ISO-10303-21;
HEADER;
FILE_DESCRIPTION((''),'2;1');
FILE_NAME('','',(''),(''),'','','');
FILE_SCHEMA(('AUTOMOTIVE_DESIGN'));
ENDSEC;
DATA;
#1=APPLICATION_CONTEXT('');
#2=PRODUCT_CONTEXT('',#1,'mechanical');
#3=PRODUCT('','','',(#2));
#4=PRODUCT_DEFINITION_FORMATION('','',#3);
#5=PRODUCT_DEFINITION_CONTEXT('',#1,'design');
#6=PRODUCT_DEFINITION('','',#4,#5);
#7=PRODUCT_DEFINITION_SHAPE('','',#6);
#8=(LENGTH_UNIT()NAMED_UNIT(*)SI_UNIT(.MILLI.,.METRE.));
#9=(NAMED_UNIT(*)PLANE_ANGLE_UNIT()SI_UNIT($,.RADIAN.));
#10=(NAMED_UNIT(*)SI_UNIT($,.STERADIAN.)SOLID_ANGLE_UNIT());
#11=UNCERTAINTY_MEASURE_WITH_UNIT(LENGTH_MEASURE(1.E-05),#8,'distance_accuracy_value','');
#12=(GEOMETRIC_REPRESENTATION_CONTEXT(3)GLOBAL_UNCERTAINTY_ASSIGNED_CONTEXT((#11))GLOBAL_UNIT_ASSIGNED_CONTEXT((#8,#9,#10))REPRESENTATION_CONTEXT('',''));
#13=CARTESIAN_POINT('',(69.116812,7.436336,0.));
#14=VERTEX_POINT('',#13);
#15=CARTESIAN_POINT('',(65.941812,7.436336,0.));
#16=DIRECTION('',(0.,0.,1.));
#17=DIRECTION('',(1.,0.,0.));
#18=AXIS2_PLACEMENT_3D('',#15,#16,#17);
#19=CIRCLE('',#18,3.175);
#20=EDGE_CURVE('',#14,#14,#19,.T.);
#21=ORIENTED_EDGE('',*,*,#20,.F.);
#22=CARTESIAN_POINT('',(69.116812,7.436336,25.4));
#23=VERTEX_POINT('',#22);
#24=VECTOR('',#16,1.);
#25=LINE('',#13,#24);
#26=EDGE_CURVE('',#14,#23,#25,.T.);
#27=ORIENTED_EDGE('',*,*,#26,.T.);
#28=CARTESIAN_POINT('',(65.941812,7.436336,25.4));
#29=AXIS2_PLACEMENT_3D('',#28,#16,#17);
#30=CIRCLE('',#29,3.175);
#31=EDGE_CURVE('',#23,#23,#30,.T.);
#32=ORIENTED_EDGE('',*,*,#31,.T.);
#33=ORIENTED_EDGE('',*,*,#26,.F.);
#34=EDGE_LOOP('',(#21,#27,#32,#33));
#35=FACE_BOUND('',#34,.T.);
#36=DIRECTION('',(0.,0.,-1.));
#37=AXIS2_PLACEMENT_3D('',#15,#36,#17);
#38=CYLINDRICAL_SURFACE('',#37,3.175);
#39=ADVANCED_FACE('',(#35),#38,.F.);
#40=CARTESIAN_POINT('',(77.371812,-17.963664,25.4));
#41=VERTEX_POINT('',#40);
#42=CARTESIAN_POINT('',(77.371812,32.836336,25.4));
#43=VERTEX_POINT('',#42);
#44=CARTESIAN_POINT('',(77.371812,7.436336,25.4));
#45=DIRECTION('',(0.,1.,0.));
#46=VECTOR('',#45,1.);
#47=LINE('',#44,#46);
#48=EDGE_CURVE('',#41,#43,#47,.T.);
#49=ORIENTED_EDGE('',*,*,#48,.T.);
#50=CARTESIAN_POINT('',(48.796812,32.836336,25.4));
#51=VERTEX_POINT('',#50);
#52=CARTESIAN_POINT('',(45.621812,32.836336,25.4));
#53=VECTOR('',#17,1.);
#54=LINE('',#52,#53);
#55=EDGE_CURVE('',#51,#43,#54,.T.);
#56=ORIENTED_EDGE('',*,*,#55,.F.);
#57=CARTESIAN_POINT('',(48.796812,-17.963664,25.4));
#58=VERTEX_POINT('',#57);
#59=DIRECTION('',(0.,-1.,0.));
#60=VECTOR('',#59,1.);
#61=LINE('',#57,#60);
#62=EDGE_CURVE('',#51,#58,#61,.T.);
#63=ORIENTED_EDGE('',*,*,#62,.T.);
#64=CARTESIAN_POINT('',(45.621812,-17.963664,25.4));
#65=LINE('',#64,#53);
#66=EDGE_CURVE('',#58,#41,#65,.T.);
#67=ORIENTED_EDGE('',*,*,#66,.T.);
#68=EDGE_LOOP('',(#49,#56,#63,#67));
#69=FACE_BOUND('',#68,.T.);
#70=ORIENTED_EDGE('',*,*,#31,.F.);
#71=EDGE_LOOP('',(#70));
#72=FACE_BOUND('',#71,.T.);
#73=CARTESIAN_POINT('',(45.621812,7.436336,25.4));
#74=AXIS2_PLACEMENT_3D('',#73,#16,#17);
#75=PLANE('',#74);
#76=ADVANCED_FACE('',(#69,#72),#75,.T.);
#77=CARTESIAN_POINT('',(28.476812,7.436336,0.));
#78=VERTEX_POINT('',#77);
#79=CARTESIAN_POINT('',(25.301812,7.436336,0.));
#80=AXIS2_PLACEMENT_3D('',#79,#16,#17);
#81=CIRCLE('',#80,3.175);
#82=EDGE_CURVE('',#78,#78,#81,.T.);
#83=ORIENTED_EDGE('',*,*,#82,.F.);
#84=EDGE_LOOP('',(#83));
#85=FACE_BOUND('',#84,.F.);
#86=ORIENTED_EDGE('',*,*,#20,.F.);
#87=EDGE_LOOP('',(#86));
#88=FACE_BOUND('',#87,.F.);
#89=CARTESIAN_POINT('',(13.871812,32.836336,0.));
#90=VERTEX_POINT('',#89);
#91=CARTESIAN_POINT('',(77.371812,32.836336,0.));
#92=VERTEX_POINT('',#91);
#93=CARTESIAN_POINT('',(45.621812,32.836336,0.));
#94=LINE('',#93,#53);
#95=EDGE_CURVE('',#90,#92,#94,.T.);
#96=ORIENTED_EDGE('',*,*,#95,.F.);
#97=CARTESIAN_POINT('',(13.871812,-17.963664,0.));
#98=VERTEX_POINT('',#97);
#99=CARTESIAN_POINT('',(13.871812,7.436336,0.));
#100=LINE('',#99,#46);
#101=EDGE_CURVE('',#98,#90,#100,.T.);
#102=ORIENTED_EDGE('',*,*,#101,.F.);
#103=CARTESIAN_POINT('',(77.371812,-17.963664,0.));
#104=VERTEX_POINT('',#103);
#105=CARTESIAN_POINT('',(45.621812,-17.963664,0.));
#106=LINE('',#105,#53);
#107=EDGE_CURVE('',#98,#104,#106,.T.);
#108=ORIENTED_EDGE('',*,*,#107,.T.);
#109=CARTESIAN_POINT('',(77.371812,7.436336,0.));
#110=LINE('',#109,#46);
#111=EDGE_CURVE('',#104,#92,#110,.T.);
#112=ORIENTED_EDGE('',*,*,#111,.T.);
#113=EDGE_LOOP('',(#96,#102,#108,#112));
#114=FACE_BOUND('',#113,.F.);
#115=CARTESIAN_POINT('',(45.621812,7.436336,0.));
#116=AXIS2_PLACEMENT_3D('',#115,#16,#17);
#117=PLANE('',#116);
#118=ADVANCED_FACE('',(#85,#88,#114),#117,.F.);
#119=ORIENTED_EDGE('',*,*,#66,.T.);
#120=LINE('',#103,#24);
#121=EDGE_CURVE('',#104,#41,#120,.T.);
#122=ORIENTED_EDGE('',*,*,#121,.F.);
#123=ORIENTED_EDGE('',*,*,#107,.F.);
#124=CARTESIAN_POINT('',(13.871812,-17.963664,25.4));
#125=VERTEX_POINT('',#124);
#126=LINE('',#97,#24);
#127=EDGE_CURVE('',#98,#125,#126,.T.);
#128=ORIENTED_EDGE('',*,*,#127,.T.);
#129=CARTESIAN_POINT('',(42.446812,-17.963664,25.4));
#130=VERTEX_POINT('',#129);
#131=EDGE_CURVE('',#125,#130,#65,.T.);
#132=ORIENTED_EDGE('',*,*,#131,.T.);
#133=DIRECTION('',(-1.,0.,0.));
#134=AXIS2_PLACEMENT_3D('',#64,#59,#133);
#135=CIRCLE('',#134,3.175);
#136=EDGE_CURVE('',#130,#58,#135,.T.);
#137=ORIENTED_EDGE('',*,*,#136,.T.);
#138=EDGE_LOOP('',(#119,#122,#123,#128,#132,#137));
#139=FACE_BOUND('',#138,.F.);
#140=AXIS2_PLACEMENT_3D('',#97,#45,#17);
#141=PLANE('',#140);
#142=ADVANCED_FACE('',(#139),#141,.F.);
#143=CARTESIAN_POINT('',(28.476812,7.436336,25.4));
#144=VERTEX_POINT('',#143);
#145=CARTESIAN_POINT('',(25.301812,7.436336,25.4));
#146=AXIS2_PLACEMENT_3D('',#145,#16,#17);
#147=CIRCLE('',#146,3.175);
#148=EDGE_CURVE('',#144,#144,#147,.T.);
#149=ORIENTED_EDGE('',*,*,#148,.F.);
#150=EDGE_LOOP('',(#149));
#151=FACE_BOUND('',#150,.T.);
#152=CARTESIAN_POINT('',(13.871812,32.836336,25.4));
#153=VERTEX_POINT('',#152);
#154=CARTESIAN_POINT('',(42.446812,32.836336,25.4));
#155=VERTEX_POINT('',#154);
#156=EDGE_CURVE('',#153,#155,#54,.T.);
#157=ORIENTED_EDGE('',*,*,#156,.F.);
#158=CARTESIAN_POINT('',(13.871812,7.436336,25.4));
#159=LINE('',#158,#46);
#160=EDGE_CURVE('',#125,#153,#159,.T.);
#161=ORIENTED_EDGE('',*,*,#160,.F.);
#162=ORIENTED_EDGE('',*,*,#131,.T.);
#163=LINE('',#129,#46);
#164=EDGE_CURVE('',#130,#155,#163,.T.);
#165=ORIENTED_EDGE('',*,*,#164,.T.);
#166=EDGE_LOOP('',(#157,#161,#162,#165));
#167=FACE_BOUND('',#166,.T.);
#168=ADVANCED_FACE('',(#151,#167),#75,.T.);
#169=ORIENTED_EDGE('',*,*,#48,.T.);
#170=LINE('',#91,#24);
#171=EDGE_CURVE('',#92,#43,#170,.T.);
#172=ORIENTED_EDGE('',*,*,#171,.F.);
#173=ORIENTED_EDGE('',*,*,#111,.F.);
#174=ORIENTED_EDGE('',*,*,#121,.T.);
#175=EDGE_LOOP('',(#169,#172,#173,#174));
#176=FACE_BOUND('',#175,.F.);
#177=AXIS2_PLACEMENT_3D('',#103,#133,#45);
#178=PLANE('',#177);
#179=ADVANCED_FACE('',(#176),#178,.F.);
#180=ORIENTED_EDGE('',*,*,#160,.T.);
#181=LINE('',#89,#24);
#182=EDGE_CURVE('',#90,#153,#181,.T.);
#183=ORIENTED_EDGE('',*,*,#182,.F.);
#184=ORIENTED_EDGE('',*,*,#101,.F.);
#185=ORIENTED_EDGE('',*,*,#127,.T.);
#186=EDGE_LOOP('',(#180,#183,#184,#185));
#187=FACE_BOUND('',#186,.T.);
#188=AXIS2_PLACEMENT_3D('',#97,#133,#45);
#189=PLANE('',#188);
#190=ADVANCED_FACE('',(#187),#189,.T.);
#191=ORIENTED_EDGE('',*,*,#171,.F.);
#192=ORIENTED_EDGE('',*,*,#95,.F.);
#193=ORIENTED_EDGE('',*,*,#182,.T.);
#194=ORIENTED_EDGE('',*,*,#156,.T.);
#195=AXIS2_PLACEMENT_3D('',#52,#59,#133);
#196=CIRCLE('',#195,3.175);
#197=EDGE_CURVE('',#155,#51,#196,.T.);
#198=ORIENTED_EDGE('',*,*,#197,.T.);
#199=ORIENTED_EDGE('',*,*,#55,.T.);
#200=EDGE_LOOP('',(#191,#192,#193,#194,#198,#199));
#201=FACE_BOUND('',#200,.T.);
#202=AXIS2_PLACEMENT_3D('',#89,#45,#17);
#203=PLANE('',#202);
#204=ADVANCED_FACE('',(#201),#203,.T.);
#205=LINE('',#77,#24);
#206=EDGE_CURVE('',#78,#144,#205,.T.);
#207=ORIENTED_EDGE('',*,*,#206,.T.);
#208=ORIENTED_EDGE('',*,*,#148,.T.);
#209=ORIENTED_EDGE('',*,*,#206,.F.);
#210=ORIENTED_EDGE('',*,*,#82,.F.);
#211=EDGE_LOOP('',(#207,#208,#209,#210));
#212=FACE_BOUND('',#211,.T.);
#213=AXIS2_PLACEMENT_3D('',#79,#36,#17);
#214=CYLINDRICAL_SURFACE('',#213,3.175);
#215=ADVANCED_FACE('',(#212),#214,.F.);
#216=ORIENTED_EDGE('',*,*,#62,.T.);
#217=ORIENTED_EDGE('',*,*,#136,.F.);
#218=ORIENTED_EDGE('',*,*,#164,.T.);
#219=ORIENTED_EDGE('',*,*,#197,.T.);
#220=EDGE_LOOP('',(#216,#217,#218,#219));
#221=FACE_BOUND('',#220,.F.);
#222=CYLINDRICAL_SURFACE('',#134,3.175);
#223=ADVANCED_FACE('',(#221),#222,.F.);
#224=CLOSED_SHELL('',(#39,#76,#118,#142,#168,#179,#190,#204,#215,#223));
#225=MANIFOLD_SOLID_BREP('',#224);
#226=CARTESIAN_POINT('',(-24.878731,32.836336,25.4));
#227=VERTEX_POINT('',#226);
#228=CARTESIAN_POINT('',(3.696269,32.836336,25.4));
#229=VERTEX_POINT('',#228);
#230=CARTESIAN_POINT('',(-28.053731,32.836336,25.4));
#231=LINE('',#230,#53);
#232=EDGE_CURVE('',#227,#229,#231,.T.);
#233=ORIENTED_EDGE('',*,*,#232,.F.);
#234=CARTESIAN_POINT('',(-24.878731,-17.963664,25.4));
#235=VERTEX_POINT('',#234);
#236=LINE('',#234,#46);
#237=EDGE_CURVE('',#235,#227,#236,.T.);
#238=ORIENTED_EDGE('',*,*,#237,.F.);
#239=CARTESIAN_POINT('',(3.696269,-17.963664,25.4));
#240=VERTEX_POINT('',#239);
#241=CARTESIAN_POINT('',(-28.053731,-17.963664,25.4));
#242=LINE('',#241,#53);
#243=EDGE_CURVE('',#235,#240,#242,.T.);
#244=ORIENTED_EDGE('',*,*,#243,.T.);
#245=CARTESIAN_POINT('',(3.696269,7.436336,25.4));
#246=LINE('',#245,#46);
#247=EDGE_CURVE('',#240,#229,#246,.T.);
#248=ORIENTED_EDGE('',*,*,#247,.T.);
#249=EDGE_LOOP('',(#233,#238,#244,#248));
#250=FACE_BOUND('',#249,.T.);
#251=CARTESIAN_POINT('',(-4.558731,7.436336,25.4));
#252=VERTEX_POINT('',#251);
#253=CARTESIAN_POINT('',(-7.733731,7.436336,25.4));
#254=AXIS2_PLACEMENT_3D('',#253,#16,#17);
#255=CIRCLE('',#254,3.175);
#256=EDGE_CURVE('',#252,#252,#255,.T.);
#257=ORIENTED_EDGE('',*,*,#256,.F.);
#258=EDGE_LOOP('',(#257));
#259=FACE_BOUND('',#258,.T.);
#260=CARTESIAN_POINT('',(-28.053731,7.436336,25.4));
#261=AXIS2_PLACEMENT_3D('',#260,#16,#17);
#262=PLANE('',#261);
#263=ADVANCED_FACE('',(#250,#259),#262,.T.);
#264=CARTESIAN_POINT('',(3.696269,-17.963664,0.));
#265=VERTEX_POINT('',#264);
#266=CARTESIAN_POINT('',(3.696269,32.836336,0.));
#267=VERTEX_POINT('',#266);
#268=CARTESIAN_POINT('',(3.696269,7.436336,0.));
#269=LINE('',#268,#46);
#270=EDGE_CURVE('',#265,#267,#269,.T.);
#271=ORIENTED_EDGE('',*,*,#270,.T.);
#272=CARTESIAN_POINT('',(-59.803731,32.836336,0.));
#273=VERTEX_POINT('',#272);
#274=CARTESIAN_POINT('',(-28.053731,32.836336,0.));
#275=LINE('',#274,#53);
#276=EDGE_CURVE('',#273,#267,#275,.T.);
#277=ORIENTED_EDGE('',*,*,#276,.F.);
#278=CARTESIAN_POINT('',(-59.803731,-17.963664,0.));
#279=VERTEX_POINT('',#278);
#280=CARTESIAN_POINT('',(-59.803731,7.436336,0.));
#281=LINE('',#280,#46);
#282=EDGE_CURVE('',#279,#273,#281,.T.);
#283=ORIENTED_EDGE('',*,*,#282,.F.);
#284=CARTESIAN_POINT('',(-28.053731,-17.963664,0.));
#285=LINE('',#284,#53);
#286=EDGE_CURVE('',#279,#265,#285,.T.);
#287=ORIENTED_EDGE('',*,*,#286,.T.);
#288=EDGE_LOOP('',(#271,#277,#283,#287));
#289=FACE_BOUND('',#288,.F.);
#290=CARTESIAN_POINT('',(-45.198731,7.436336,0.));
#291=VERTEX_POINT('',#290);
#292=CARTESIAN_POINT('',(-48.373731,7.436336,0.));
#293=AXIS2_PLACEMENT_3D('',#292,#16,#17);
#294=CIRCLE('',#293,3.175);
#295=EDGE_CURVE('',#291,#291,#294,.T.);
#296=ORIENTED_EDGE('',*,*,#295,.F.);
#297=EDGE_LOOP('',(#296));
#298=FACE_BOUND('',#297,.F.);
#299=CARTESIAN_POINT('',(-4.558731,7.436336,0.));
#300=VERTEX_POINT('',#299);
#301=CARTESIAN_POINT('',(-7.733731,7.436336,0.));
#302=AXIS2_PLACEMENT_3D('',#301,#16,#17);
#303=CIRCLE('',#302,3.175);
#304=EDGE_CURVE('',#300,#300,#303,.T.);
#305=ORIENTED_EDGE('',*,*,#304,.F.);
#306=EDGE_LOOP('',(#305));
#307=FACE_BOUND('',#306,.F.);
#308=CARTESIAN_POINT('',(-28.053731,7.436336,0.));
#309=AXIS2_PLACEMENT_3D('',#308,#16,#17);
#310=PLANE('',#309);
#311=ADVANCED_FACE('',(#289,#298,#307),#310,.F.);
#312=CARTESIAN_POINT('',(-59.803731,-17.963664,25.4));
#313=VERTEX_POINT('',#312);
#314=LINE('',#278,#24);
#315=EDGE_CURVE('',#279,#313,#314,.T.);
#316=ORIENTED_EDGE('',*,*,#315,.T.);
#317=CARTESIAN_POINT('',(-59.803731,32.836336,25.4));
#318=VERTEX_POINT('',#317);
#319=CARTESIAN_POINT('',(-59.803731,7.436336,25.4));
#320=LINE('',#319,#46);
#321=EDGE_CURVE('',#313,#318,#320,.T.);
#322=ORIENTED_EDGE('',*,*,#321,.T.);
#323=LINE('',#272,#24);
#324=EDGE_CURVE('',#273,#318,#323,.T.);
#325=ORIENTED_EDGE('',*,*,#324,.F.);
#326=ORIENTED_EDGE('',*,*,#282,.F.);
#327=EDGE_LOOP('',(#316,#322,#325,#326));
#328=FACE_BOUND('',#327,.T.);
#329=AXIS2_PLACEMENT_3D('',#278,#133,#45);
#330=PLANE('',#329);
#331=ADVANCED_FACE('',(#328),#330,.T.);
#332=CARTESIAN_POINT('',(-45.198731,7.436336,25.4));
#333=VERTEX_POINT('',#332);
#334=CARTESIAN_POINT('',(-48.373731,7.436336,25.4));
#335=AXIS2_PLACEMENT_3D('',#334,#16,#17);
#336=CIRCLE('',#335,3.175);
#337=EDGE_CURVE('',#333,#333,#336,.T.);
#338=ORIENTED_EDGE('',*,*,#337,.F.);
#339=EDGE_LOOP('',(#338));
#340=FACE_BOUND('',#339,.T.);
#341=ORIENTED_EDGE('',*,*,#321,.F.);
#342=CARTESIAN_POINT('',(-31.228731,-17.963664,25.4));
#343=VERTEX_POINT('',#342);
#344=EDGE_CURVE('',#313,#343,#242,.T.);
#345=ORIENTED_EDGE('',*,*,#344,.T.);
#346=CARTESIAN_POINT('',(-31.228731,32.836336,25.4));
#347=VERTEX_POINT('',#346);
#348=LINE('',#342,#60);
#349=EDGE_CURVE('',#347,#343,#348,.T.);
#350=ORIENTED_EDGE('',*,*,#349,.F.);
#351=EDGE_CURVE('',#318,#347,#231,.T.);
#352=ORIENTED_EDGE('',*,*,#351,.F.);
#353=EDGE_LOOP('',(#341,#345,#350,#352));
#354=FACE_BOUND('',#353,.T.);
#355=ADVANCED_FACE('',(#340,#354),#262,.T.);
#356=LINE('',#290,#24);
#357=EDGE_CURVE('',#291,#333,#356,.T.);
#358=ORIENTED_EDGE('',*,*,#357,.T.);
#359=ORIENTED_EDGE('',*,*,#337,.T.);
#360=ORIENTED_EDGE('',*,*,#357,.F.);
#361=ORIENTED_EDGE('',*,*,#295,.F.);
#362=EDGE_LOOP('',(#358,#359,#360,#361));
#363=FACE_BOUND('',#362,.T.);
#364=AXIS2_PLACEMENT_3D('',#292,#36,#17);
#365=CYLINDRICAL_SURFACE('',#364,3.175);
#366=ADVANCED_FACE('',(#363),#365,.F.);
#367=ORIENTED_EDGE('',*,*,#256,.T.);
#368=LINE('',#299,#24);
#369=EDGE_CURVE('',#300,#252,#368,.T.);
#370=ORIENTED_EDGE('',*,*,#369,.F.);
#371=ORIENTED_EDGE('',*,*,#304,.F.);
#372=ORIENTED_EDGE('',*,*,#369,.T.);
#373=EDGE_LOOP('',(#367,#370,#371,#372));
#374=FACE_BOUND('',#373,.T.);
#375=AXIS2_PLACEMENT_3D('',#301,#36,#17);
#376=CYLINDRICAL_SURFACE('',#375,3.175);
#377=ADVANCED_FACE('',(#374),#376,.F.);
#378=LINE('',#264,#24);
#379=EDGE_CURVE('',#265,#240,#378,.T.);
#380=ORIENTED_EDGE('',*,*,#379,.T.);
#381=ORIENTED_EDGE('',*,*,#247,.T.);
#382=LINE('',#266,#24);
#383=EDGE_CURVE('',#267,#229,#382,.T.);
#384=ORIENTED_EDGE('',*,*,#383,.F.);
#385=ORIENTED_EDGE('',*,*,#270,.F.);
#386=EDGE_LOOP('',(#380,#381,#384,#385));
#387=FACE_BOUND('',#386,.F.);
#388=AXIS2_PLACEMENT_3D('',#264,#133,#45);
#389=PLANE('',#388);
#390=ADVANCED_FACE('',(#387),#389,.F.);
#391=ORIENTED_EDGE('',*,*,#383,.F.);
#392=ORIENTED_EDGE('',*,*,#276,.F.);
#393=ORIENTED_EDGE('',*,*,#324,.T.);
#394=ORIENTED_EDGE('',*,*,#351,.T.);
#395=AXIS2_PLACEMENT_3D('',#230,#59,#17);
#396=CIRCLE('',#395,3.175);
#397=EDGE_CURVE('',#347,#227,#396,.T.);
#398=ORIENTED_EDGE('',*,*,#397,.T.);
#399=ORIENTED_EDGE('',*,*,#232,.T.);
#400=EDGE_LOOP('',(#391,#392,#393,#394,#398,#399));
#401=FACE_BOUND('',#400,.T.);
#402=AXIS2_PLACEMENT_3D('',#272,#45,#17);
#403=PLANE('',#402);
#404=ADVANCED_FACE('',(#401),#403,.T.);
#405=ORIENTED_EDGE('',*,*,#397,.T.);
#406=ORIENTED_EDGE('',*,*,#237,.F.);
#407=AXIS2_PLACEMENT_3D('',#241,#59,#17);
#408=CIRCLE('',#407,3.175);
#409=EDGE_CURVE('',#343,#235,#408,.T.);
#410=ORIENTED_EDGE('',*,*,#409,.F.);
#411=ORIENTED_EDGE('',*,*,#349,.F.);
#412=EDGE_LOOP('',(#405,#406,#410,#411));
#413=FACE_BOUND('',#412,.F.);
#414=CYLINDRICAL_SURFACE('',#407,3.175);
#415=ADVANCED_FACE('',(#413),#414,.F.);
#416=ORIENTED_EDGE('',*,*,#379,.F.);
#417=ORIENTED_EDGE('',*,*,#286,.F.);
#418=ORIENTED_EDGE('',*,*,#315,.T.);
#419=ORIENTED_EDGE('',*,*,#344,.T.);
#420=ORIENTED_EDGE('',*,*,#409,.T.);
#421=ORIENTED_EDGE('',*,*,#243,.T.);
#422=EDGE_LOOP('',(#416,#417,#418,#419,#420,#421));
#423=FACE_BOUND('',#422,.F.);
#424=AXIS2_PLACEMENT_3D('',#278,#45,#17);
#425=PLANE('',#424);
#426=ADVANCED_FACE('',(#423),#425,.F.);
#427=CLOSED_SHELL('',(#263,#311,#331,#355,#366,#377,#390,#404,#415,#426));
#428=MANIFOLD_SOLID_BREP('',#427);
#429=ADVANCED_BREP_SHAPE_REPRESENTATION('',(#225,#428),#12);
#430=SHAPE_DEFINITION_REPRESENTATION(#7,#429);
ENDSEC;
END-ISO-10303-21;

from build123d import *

# Parameters (mm, degrees)
F0_W     = 63.5
F0_H     = 50.8
F0_R     = 3.175
F1_DEPTH = 25.4
F2_R     = 3.175
F3_DEPTH = 50.801


with BuildPart() as f1:
    # F0 (on Top) → F1 (new body)
    with BuildSketch(Plane.XY):
        with Locations((-28.053731, 7.436336)):
            Rectangle(F0_W, F0_H)
        with Locations((-48.373731, 7.436336)):
            Circle(F0_R, mode=Mode.SUBTRACT)
        with Locations((-7.733731, 7.436336)):
            Circle(F0_R, mode=Mode.SUBTRACT)
        with Locations((45.621812, 7.436336)):
            Rectangle(F0_W, F0_H)
        with Locations((25.301812, 7.436336)):
            Circle(F0_R, mode=Mode.SUBTRACT)
        with Locations((65.941812, 7.436336)):
            Circle(F0_R, mode=Mode.SUBTRACT)
    extrude(amount=F1_DEPTH)

    # F2 (on face) → F3 (cut, through all)
    with BuildSketch(Plane.XZ.offset(17.963664)):
        with Locations((-28.053731, 25.4)):
            Circle(F2_R)
        with BuildLine():
            ThreePointArc((48.796812, 25.4), (45.621812, 28.575), (42.446812, 25.4))
            Line((42.446812, 25.4), (48.796812, 25.4))
        make_face()
        with BuildLine():
            Line((48.796812, 25.4), (42.446812, 25.4))
            ThreePointArc((42.446812, 25.4), (45.621812, 22.225), (48.796812, 25.4))
        make_face()
    extrude(amount=-F3_DEPTH, mode=Mode.SUBTRACT)


solid = f1.part
